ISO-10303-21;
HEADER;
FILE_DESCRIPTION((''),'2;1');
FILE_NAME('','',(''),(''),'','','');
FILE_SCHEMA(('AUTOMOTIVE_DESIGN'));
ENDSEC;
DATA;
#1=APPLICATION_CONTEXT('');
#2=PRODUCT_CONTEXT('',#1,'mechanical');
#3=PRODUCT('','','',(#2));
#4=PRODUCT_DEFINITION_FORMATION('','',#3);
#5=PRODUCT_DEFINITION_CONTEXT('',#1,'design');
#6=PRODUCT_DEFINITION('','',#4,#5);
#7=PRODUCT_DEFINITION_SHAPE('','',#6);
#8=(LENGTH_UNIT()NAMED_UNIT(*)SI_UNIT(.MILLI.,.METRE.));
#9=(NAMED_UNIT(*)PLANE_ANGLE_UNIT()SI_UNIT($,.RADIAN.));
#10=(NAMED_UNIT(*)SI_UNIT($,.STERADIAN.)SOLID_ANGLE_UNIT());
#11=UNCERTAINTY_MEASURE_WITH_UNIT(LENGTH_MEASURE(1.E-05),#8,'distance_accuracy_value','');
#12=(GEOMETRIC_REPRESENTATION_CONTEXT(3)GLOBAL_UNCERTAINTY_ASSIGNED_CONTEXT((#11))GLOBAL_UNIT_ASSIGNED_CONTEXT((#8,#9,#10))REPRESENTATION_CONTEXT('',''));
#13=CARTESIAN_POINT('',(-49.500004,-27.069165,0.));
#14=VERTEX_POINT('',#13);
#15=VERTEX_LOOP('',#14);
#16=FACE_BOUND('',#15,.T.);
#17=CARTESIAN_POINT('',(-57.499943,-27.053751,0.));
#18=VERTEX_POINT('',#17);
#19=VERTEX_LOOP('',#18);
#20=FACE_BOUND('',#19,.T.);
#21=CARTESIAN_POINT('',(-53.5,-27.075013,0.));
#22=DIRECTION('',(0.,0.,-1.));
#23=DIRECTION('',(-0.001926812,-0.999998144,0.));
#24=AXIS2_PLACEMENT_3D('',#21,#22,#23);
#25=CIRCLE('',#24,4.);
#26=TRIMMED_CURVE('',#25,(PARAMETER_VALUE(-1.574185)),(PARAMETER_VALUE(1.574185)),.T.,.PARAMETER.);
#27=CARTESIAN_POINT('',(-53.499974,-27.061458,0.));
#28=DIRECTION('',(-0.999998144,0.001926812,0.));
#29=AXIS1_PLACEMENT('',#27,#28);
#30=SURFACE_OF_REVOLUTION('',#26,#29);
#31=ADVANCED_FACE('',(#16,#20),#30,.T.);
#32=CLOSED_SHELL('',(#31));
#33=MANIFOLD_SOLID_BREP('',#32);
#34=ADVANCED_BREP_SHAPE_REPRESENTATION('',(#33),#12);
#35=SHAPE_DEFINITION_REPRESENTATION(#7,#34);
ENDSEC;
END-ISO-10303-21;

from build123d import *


with BuildPart() as part:
    # Esboço1 → Revolução1 (revolve)
    with BuildSketch(Plane.XY):
        with BuildLine():
            Line((-49.500004275, -27.0691653), (-57.49994349, -27.053750894))
            ThreePointArc((-57.49994349, -27.053750894), (-53.507707247, -31.075005642), (-49.500004275, -27.0691653))
        make_face()
    revolve(axis=Axis((-59.439842289, -27.050013067, 0), (0.9999981436964025, -0.0019268118095331125, 0)))


solid = part.part
